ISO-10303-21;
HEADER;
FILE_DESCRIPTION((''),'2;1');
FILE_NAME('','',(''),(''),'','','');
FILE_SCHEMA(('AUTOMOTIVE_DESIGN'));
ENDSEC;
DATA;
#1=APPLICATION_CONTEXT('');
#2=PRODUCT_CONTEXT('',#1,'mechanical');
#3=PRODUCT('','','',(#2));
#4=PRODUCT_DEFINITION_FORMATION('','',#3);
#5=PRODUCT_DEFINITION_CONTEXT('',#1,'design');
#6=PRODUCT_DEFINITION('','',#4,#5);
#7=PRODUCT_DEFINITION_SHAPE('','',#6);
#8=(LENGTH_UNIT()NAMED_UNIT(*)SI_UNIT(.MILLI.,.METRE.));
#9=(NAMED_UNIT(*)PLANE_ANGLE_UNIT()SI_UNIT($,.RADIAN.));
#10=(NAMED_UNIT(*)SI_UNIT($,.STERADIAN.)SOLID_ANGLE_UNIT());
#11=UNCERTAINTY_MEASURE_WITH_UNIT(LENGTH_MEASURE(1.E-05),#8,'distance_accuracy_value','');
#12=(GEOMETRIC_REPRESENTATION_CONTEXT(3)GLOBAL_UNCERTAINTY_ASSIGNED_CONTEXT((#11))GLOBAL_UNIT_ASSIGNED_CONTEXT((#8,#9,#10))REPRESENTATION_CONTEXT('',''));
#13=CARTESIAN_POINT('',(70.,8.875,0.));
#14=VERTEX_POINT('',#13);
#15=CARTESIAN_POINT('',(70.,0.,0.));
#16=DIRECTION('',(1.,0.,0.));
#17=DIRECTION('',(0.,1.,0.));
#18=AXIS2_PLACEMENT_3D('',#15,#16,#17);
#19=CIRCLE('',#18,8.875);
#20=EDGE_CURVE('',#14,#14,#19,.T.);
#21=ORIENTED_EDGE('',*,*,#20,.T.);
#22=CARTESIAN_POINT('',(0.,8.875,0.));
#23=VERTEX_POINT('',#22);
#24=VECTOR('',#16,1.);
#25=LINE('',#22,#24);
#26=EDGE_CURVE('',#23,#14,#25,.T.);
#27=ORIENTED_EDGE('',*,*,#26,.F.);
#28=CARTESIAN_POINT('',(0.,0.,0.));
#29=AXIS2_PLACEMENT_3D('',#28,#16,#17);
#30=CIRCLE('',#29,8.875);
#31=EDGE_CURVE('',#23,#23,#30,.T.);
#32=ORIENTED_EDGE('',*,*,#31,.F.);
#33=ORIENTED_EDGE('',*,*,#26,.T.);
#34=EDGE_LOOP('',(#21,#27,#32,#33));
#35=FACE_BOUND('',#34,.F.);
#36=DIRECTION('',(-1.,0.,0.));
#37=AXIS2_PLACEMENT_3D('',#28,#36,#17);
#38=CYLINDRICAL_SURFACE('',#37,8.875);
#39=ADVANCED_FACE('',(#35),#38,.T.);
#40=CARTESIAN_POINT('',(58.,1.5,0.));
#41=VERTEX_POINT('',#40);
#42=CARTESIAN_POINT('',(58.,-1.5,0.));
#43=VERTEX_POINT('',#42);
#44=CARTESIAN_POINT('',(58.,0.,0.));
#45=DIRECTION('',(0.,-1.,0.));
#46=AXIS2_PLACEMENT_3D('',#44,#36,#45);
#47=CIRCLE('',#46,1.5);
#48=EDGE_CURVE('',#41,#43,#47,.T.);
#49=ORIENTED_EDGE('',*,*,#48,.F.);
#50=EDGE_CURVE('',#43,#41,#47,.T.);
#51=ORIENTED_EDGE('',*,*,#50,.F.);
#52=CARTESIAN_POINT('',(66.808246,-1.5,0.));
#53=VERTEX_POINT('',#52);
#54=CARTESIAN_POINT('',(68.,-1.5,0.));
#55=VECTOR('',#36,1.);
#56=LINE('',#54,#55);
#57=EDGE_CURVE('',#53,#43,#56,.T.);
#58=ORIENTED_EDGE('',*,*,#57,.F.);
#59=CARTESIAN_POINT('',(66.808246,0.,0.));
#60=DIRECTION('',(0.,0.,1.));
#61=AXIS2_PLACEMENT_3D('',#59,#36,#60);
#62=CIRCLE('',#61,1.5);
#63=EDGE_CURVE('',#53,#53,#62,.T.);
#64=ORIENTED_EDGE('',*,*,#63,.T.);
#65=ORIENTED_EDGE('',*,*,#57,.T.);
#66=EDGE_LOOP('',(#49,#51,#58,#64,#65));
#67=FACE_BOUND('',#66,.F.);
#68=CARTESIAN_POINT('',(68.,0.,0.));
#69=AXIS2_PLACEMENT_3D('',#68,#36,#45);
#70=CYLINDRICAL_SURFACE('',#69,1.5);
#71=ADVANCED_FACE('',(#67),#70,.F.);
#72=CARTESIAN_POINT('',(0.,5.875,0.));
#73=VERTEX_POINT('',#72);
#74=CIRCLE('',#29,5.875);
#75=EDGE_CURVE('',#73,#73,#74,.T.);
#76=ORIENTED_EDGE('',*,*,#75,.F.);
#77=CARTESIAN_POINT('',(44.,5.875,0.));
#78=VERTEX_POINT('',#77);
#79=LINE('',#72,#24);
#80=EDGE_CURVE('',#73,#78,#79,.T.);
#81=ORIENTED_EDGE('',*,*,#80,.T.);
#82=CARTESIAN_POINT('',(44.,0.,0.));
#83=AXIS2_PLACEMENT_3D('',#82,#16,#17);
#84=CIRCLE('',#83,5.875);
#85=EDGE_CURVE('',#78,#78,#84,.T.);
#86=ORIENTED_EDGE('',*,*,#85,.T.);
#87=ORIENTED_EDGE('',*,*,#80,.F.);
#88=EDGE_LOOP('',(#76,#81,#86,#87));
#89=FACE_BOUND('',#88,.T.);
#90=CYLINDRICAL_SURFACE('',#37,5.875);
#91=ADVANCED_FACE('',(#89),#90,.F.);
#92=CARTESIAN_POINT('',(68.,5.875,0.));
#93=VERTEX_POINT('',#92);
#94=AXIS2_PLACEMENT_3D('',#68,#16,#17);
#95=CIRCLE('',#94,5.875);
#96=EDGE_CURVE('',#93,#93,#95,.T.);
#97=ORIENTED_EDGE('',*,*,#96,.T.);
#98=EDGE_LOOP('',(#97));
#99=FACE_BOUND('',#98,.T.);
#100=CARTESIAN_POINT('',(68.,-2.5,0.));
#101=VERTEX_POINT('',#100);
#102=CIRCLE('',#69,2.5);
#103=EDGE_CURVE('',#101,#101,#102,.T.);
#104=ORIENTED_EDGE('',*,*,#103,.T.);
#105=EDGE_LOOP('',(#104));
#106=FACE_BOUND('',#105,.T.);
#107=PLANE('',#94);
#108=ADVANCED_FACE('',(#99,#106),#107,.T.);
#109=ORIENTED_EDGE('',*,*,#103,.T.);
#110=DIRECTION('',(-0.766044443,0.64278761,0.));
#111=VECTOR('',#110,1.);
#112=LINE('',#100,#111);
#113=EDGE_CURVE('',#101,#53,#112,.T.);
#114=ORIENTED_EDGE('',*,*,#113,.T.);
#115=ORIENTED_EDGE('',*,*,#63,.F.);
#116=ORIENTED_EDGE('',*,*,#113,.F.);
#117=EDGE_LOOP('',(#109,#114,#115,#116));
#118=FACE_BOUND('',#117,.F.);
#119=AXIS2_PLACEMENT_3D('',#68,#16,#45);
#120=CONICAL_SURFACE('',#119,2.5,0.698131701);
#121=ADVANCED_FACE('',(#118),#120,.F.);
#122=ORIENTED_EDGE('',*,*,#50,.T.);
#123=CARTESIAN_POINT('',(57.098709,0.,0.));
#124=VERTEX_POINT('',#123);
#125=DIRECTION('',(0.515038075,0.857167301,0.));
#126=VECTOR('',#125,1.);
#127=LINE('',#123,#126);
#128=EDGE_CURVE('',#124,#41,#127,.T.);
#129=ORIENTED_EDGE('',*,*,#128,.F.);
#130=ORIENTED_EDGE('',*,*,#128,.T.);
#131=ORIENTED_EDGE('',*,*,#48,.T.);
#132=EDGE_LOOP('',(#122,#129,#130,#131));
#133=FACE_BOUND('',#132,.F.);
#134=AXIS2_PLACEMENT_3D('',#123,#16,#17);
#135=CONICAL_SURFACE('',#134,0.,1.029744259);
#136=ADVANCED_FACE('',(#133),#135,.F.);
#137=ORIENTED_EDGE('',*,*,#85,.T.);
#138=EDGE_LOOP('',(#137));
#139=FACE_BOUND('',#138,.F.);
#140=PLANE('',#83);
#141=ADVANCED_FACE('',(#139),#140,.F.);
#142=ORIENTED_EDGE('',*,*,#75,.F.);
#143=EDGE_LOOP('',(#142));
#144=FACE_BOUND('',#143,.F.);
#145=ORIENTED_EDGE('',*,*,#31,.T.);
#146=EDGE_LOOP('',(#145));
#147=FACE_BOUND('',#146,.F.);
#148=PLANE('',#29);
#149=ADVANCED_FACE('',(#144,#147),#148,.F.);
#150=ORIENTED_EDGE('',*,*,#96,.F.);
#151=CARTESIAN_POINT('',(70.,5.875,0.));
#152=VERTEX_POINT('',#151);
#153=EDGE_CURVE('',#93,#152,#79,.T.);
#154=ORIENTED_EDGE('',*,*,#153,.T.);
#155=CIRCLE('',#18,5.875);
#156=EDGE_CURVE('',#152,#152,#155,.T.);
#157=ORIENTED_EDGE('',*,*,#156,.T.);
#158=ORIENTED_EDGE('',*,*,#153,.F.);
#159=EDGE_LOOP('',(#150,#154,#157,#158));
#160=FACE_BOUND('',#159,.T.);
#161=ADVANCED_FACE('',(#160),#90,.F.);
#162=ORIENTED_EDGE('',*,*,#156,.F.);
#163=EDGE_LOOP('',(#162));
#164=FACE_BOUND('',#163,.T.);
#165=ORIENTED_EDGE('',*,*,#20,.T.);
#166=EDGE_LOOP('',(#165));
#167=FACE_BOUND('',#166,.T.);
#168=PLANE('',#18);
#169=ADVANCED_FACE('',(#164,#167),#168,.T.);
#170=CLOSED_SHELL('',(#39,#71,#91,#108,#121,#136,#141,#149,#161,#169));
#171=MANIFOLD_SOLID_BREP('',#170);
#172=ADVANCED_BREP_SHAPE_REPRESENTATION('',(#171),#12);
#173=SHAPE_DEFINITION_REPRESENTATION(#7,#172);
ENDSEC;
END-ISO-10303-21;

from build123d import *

# Parameters (mm, degrees)
F0_R           = 8.875
F0_R_2         = 5.875
F1_DEPTH       = 70
F2_START       = 44
F2_DEPTH       = 24
F4_D           = 3
F4_DEPTH       = 10
F4_CSINK_D     = 5
F4_CSINK_ANGLE = 80
F4_TIP         = 0.9012909285


with BuildPart() as f1:
    # F0 (on Right) → F1 (new body)
    with BuildSketch(Plane.YZ):
        Circle(F0_R)
        Circle(F0_R_2, mode=Mode.SUBTRACT)
    extrude(amount=F1_DEPTH)

    # F0 (on Right) → F2 (join)
    with BuildSketch(Plane.YZ.offset(F2_START)):
        Circle(F0_R_2)
    extrude(amount=F2_DEPTH)

    # F4
    with Locations(Plane.YZ.offset(68)):
        with Locations((0, 0)):
            CounterSinkHole(F4_D / 2, F4_CSINK_D / 2, depth=F4_DEPTH, counter_sink_angle=F4_CSINK_ANGLE)
            with Locations((0, 0, -(F4_DEPTH + F4_TIP / 2))):  # 118° drill point
                Cone(0, F4_D / 2, F4_TIP, mode=Mode.SUBTRACT)


solid = f1.part
